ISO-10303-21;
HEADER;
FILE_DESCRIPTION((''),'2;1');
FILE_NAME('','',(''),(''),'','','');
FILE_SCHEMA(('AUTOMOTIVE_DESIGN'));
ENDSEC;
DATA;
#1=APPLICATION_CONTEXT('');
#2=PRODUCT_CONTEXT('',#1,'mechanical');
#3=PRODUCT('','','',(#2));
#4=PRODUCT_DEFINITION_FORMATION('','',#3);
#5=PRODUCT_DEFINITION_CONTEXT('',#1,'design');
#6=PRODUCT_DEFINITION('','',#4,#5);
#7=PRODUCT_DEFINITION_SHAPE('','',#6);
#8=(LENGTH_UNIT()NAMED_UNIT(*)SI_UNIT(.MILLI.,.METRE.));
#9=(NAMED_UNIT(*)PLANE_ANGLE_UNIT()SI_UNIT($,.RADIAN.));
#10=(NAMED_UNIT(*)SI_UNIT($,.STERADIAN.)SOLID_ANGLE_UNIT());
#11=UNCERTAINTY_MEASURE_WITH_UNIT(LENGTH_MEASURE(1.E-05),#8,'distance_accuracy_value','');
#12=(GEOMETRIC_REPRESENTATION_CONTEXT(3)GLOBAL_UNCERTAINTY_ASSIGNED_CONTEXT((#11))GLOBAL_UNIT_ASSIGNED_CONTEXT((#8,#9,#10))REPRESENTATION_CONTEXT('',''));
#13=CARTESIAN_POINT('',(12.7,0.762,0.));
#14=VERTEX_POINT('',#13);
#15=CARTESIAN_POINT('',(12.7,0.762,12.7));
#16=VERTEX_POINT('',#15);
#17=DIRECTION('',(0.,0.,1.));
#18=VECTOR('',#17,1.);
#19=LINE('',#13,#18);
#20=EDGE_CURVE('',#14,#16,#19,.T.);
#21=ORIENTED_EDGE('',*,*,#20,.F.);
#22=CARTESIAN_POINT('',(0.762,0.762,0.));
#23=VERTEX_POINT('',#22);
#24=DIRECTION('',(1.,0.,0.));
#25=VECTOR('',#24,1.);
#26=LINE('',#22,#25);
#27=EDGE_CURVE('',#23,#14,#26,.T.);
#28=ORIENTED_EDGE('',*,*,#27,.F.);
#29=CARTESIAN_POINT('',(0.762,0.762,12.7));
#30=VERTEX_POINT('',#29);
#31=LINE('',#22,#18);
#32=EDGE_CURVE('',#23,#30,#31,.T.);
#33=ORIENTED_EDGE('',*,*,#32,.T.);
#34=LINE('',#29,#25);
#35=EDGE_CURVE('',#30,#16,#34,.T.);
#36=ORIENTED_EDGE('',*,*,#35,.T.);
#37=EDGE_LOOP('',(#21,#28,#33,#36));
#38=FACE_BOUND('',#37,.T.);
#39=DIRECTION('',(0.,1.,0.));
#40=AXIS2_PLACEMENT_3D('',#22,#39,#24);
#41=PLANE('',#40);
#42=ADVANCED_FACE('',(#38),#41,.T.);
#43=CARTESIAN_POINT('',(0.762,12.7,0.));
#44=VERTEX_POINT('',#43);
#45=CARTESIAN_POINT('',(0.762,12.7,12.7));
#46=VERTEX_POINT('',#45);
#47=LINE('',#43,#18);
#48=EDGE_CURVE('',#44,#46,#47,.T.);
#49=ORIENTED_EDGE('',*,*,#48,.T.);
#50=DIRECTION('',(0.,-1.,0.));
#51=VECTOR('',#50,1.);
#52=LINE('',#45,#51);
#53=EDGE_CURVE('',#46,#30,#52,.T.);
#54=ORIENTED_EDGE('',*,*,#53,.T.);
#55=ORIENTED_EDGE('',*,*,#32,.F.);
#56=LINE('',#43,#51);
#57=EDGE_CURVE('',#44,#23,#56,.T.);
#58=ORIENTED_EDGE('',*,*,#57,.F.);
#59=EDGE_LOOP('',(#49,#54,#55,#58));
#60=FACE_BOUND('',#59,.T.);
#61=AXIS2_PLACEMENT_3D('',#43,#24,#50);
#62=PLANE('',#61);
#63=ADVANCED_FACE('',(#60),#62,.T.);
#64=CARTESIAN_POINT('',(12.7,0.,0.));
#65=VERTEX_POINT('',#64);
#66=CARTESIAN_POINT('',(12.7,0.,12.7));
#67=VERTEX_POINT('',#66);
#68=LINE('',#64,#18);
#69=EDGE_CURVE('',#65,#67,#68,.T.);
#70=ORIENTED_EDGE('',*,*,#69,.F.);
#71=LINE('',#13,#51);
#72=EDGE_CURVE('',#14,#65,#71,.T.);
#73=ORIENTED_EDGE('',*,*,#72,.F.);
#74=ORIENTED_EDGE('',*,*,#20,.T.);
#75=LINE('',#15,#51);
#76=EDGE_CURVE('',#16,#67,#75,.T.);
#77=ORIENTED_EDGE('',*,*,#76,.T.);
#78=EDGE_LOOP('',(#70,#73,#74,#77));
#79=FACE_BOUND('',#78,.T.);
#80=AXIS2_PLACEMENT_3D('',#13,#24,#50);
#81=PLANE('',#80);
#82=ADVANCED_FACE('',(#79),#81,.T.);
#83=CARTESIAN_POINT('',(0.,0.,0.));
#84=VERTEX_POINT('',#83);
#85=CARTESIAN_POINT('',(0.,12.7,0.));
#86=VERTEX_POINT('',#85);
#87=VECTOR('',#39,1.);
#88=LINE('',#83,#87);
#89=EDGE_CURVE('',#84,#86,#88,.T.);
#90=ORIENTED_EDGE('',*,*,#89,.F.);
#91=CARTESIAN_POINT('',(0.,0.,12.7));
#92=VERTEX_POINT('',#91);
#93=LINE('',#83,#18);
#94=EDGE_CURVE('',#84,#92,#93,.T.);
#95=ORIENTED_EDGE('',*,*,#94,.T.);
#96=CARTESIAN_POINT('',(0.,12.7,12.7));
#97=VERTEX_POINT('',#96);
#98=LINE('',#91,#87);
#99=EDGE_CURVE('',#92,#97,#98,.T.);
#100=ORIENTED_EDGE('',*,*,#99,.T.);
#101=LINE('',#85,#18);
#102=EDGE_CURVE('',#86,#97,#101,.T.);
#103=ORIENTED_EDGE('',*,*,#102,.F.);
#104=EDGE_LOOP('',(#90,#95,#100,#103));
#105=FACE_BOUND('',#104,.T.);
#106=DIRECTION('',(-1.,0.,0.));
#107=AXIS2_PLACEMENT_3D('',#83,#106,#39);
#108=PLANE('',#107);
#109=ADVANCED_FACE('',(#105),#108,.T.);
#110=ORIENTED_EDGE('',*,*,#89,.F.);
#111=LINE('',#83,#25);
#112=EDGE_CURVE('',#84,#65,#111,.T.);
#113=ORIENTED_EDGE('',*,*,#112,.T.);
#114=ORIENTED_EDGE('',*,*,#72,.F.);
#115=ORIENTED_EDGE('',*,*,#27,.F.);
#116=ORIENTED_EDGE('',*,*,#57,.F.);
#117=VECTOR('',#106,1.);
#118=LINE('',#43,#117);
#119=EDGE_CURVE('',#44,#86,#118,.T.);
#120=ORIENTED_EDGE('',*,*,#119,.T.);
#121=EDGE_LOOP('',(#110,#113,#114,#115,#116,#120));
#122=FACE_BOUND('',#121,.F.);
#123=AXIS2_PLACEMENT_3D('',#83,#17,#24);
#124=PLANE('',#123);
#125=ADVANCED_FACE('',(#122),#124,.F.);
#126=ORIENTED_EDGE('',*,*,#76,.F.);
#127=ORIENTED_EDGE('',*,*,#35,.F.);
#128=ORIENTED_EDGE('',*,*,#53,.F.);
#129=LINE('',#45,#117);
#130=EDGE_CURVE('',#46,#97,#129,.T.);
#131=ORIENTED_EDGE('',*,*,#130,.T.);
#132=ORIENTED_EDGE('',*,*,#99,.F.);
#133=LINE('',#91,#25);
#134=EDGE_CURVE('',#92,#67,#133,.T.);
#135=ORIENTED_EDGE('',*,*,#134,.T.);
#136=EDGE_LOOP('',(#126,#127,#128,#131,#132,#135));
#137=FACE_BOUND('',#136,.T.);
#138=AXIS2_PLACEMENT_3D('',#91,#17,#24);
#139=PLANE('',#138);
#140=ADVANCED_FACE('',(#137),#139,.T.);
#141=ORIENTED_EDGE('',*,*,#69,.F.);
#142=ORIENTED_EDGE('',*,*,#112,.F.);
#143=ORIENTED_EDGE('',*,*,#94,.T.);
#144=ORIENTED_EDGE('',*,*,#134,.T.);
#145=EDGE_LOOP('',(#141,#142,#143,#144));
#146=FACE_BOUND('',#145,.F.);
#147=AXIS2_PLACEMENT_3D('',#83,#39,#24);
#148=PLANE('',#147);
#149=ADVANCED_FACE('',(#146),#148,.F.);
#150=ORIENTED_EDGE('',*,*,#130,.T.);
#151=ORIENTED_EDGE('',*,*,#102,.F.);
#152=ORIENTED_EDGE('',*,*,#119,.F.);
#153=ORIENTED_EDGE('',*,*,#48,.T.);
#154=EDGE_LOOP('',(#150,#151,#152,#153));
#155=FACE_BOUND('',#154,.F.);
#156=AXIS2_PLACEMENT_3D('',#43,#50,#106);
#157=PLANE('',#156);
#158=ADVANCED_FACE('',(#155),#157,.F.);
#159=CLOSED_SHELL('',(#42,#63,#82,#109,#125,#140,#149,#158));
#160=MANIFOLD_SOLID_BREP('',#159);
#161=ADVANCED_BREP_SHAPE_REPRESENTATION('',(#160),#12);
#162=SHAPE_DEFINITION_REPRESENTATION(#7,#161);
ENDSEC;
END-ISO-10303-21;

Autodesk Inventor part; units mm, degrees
ref_plane "YZ Plane" through (0, 0, 0) normal (1, 0, 0) x (0, 1, 0)
ref_plane "XZ Plane" through (0, 0, 0) normal (0, 1, 0) x (-1, 0, 0)
ref_plane "XY Plane" through (0, 0, 0) normal (0, 0, 1) x (1, 0, 0)
sketch "Sketch1" plane through (0, 0, 0) normal (0, 0, 1) x (1, 0, 0)
  line L0 (0, 0) -> (0, 12.7)
  line L1 (0, 0) -> (12.7, 0)
  line L2 (0.762, 12.7) -> (0.762, 0.762)
  line L3 (0.762, 0.762) -> (12.7, 0.762)
  line L4 (0.762, 12.7) -> (0, 12.7)
  line L5 (12.7, 0.762) -> (12.7, 0)
  dimension "d0" = 12.7
  dimension "d1" = 12.7
  dimension "d2" = 0.762
extrude "Extrusion1" add sketch "Sketch1" along normal blind 12.7
properties part number "Bracket" material "Aluminum 6061"
